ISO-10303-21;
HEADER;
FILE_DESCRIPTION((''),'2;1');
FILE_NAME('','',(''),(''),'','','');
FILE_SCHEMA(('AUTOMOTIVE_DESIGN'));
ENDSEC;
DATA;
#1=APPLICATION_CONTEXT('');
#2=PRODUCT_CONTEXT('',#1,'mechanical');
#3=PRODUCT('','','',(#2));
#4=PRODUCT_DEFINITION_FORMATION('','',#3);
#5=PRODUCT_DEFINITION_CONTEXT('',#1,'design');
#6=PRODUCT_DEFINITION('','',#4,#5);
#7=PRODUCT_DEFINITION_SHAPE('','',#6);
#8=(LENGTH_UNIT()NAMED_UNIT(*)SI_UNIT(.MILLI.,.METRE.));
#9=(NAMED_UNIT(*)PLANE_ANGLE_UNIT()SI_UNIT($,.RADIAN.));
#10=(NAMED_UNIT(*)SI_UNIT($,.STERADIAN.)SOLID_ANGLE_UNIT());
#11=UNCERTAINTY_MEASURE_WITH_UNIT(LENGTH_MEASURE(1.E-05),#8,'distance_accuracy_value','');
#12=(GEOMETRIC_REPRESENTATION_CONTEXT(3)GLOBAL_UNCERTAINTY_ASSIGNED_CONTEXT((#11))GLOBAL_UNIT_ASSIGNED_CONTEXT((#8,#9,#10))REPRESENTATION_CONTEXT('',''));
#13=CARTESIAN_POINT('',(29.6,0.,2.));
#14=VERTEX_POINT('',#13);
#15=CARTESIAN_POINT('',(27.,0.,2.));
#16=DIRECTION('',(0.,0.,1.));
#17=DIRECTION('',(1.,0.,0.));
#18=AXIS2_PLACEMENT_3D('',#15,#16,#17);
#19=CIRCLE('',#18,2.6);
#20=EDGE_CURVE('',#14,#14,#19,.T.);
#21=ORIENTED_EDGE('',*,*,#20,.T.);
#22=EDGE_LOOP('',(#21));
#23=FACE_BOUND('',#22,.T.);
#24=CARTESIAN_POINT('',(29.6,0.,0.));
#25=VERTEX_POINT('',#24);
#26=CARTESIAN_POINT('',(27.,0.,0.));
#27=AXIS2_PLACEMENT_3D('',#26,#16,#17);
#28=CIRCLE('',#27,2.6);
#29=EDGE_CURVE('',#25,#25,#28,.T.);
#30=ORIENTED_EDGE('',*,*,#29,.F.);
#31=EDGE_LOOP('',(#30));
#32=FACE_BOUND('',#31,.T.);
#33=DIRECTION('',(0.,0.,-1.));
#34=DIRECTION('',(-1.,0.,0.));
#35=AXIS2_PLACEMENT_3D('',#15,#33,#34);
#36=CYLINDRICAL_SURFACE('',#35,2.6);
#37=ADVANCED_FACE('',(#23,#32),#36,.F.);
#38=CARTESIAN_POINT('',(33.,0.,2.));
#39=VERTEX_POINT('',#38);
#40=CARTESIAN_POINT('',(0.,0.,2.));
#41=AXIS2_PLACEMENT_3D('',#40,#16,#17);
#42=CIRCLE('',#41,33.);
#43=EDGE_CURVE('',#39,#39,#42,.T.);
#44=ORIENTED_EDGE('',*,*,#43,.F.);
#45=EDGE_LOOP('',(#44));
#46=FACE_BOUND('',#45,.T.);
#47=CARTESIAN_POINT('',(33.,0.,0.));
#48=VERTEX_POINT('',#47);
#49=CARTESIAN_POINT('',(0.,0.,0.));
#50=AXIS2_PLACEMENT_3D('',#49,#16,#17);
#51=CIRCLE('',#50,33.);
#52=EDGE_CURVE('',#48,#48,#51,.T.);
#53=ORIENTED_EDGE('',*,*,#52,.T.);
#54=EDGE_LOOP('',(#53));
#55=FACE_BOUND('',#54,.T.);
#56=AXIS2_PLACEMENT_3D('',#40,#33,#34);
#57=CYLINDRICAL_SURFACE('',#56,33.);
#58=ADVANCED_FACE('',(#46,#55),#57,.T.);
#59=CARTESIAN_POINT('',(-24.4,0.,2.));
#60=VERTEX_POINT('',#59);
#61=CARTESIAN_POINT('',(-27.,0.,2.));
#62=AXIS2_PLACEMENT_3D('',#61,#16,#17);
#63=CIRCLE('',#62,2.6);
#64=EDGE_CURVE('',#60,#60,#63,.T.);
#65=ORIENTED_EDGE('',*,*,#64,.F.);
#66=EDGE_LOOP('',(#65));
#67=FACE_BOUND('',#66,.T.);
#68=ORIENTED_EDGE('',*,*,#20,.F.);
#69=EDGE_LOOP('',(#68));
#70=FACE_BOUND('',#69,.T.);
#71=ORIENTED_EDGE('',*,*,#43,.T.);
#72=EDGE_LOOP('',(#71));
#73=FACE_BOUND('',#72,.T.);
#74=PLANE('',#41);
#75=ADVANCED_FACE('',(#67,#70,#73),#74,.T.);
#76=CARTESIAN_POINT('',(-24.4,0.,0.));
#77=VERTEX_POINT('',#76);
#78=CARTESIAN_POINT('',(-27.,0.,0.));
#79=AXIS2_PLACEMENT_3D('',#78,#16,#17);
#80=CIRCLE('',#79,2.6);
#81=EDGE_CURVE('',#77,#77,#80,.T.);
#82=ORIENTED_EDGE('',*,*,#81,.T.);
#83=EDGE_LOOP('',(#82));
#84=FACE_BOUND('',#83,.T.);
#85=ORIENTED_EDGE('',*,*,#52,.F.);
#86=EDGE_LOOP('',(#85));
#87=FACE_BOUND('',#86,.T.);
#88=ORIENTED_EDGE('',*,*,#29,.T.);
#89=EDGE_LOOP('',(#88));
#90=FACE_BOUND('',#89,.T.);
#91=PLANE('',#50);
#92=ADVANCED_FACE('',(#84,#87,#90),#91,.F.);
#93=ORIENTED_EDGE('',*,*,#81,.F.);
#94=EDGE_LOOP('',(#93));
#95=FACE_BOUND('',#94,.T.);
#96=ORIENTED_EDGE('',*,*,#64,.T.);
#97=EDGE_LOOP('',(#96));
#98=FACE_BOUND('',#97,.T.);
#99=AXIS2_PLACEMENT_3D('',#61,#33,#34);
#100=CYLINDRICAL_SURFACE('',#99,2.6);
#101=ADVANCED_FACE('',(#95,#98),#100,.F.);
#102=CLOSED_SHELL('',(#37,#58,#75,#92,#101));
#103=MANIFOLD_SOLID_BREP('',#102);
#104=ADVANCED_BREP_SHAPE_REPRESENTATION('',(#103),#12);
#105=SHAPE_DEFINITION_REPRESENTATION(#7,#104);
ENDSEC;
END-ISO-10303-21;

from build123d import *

# Parameters (mm, degrees)
SKETCH_1_R      = 33
SKETCH_1_R_2    = 2.6
EXTRUDE_1_DEPTH = 2


with BuildPart() as part:
    # 草图1 → 凸台-拉伸1 (new body)
    with BuildSketch(Plane.XY):
        Circle(SKETCH_1_R)
        with Locations((27, 0)):
            Circle(SKETCH_1_R_2, mode=Mode.SUBTRACT)
        with Locations((-27, 0)):
            Circle(SKETCH_1_R_2, mode=Mode.SUBTRACT)
    extrude(amount=EXTRUDE_1_DEPTH)


solid = part.part
